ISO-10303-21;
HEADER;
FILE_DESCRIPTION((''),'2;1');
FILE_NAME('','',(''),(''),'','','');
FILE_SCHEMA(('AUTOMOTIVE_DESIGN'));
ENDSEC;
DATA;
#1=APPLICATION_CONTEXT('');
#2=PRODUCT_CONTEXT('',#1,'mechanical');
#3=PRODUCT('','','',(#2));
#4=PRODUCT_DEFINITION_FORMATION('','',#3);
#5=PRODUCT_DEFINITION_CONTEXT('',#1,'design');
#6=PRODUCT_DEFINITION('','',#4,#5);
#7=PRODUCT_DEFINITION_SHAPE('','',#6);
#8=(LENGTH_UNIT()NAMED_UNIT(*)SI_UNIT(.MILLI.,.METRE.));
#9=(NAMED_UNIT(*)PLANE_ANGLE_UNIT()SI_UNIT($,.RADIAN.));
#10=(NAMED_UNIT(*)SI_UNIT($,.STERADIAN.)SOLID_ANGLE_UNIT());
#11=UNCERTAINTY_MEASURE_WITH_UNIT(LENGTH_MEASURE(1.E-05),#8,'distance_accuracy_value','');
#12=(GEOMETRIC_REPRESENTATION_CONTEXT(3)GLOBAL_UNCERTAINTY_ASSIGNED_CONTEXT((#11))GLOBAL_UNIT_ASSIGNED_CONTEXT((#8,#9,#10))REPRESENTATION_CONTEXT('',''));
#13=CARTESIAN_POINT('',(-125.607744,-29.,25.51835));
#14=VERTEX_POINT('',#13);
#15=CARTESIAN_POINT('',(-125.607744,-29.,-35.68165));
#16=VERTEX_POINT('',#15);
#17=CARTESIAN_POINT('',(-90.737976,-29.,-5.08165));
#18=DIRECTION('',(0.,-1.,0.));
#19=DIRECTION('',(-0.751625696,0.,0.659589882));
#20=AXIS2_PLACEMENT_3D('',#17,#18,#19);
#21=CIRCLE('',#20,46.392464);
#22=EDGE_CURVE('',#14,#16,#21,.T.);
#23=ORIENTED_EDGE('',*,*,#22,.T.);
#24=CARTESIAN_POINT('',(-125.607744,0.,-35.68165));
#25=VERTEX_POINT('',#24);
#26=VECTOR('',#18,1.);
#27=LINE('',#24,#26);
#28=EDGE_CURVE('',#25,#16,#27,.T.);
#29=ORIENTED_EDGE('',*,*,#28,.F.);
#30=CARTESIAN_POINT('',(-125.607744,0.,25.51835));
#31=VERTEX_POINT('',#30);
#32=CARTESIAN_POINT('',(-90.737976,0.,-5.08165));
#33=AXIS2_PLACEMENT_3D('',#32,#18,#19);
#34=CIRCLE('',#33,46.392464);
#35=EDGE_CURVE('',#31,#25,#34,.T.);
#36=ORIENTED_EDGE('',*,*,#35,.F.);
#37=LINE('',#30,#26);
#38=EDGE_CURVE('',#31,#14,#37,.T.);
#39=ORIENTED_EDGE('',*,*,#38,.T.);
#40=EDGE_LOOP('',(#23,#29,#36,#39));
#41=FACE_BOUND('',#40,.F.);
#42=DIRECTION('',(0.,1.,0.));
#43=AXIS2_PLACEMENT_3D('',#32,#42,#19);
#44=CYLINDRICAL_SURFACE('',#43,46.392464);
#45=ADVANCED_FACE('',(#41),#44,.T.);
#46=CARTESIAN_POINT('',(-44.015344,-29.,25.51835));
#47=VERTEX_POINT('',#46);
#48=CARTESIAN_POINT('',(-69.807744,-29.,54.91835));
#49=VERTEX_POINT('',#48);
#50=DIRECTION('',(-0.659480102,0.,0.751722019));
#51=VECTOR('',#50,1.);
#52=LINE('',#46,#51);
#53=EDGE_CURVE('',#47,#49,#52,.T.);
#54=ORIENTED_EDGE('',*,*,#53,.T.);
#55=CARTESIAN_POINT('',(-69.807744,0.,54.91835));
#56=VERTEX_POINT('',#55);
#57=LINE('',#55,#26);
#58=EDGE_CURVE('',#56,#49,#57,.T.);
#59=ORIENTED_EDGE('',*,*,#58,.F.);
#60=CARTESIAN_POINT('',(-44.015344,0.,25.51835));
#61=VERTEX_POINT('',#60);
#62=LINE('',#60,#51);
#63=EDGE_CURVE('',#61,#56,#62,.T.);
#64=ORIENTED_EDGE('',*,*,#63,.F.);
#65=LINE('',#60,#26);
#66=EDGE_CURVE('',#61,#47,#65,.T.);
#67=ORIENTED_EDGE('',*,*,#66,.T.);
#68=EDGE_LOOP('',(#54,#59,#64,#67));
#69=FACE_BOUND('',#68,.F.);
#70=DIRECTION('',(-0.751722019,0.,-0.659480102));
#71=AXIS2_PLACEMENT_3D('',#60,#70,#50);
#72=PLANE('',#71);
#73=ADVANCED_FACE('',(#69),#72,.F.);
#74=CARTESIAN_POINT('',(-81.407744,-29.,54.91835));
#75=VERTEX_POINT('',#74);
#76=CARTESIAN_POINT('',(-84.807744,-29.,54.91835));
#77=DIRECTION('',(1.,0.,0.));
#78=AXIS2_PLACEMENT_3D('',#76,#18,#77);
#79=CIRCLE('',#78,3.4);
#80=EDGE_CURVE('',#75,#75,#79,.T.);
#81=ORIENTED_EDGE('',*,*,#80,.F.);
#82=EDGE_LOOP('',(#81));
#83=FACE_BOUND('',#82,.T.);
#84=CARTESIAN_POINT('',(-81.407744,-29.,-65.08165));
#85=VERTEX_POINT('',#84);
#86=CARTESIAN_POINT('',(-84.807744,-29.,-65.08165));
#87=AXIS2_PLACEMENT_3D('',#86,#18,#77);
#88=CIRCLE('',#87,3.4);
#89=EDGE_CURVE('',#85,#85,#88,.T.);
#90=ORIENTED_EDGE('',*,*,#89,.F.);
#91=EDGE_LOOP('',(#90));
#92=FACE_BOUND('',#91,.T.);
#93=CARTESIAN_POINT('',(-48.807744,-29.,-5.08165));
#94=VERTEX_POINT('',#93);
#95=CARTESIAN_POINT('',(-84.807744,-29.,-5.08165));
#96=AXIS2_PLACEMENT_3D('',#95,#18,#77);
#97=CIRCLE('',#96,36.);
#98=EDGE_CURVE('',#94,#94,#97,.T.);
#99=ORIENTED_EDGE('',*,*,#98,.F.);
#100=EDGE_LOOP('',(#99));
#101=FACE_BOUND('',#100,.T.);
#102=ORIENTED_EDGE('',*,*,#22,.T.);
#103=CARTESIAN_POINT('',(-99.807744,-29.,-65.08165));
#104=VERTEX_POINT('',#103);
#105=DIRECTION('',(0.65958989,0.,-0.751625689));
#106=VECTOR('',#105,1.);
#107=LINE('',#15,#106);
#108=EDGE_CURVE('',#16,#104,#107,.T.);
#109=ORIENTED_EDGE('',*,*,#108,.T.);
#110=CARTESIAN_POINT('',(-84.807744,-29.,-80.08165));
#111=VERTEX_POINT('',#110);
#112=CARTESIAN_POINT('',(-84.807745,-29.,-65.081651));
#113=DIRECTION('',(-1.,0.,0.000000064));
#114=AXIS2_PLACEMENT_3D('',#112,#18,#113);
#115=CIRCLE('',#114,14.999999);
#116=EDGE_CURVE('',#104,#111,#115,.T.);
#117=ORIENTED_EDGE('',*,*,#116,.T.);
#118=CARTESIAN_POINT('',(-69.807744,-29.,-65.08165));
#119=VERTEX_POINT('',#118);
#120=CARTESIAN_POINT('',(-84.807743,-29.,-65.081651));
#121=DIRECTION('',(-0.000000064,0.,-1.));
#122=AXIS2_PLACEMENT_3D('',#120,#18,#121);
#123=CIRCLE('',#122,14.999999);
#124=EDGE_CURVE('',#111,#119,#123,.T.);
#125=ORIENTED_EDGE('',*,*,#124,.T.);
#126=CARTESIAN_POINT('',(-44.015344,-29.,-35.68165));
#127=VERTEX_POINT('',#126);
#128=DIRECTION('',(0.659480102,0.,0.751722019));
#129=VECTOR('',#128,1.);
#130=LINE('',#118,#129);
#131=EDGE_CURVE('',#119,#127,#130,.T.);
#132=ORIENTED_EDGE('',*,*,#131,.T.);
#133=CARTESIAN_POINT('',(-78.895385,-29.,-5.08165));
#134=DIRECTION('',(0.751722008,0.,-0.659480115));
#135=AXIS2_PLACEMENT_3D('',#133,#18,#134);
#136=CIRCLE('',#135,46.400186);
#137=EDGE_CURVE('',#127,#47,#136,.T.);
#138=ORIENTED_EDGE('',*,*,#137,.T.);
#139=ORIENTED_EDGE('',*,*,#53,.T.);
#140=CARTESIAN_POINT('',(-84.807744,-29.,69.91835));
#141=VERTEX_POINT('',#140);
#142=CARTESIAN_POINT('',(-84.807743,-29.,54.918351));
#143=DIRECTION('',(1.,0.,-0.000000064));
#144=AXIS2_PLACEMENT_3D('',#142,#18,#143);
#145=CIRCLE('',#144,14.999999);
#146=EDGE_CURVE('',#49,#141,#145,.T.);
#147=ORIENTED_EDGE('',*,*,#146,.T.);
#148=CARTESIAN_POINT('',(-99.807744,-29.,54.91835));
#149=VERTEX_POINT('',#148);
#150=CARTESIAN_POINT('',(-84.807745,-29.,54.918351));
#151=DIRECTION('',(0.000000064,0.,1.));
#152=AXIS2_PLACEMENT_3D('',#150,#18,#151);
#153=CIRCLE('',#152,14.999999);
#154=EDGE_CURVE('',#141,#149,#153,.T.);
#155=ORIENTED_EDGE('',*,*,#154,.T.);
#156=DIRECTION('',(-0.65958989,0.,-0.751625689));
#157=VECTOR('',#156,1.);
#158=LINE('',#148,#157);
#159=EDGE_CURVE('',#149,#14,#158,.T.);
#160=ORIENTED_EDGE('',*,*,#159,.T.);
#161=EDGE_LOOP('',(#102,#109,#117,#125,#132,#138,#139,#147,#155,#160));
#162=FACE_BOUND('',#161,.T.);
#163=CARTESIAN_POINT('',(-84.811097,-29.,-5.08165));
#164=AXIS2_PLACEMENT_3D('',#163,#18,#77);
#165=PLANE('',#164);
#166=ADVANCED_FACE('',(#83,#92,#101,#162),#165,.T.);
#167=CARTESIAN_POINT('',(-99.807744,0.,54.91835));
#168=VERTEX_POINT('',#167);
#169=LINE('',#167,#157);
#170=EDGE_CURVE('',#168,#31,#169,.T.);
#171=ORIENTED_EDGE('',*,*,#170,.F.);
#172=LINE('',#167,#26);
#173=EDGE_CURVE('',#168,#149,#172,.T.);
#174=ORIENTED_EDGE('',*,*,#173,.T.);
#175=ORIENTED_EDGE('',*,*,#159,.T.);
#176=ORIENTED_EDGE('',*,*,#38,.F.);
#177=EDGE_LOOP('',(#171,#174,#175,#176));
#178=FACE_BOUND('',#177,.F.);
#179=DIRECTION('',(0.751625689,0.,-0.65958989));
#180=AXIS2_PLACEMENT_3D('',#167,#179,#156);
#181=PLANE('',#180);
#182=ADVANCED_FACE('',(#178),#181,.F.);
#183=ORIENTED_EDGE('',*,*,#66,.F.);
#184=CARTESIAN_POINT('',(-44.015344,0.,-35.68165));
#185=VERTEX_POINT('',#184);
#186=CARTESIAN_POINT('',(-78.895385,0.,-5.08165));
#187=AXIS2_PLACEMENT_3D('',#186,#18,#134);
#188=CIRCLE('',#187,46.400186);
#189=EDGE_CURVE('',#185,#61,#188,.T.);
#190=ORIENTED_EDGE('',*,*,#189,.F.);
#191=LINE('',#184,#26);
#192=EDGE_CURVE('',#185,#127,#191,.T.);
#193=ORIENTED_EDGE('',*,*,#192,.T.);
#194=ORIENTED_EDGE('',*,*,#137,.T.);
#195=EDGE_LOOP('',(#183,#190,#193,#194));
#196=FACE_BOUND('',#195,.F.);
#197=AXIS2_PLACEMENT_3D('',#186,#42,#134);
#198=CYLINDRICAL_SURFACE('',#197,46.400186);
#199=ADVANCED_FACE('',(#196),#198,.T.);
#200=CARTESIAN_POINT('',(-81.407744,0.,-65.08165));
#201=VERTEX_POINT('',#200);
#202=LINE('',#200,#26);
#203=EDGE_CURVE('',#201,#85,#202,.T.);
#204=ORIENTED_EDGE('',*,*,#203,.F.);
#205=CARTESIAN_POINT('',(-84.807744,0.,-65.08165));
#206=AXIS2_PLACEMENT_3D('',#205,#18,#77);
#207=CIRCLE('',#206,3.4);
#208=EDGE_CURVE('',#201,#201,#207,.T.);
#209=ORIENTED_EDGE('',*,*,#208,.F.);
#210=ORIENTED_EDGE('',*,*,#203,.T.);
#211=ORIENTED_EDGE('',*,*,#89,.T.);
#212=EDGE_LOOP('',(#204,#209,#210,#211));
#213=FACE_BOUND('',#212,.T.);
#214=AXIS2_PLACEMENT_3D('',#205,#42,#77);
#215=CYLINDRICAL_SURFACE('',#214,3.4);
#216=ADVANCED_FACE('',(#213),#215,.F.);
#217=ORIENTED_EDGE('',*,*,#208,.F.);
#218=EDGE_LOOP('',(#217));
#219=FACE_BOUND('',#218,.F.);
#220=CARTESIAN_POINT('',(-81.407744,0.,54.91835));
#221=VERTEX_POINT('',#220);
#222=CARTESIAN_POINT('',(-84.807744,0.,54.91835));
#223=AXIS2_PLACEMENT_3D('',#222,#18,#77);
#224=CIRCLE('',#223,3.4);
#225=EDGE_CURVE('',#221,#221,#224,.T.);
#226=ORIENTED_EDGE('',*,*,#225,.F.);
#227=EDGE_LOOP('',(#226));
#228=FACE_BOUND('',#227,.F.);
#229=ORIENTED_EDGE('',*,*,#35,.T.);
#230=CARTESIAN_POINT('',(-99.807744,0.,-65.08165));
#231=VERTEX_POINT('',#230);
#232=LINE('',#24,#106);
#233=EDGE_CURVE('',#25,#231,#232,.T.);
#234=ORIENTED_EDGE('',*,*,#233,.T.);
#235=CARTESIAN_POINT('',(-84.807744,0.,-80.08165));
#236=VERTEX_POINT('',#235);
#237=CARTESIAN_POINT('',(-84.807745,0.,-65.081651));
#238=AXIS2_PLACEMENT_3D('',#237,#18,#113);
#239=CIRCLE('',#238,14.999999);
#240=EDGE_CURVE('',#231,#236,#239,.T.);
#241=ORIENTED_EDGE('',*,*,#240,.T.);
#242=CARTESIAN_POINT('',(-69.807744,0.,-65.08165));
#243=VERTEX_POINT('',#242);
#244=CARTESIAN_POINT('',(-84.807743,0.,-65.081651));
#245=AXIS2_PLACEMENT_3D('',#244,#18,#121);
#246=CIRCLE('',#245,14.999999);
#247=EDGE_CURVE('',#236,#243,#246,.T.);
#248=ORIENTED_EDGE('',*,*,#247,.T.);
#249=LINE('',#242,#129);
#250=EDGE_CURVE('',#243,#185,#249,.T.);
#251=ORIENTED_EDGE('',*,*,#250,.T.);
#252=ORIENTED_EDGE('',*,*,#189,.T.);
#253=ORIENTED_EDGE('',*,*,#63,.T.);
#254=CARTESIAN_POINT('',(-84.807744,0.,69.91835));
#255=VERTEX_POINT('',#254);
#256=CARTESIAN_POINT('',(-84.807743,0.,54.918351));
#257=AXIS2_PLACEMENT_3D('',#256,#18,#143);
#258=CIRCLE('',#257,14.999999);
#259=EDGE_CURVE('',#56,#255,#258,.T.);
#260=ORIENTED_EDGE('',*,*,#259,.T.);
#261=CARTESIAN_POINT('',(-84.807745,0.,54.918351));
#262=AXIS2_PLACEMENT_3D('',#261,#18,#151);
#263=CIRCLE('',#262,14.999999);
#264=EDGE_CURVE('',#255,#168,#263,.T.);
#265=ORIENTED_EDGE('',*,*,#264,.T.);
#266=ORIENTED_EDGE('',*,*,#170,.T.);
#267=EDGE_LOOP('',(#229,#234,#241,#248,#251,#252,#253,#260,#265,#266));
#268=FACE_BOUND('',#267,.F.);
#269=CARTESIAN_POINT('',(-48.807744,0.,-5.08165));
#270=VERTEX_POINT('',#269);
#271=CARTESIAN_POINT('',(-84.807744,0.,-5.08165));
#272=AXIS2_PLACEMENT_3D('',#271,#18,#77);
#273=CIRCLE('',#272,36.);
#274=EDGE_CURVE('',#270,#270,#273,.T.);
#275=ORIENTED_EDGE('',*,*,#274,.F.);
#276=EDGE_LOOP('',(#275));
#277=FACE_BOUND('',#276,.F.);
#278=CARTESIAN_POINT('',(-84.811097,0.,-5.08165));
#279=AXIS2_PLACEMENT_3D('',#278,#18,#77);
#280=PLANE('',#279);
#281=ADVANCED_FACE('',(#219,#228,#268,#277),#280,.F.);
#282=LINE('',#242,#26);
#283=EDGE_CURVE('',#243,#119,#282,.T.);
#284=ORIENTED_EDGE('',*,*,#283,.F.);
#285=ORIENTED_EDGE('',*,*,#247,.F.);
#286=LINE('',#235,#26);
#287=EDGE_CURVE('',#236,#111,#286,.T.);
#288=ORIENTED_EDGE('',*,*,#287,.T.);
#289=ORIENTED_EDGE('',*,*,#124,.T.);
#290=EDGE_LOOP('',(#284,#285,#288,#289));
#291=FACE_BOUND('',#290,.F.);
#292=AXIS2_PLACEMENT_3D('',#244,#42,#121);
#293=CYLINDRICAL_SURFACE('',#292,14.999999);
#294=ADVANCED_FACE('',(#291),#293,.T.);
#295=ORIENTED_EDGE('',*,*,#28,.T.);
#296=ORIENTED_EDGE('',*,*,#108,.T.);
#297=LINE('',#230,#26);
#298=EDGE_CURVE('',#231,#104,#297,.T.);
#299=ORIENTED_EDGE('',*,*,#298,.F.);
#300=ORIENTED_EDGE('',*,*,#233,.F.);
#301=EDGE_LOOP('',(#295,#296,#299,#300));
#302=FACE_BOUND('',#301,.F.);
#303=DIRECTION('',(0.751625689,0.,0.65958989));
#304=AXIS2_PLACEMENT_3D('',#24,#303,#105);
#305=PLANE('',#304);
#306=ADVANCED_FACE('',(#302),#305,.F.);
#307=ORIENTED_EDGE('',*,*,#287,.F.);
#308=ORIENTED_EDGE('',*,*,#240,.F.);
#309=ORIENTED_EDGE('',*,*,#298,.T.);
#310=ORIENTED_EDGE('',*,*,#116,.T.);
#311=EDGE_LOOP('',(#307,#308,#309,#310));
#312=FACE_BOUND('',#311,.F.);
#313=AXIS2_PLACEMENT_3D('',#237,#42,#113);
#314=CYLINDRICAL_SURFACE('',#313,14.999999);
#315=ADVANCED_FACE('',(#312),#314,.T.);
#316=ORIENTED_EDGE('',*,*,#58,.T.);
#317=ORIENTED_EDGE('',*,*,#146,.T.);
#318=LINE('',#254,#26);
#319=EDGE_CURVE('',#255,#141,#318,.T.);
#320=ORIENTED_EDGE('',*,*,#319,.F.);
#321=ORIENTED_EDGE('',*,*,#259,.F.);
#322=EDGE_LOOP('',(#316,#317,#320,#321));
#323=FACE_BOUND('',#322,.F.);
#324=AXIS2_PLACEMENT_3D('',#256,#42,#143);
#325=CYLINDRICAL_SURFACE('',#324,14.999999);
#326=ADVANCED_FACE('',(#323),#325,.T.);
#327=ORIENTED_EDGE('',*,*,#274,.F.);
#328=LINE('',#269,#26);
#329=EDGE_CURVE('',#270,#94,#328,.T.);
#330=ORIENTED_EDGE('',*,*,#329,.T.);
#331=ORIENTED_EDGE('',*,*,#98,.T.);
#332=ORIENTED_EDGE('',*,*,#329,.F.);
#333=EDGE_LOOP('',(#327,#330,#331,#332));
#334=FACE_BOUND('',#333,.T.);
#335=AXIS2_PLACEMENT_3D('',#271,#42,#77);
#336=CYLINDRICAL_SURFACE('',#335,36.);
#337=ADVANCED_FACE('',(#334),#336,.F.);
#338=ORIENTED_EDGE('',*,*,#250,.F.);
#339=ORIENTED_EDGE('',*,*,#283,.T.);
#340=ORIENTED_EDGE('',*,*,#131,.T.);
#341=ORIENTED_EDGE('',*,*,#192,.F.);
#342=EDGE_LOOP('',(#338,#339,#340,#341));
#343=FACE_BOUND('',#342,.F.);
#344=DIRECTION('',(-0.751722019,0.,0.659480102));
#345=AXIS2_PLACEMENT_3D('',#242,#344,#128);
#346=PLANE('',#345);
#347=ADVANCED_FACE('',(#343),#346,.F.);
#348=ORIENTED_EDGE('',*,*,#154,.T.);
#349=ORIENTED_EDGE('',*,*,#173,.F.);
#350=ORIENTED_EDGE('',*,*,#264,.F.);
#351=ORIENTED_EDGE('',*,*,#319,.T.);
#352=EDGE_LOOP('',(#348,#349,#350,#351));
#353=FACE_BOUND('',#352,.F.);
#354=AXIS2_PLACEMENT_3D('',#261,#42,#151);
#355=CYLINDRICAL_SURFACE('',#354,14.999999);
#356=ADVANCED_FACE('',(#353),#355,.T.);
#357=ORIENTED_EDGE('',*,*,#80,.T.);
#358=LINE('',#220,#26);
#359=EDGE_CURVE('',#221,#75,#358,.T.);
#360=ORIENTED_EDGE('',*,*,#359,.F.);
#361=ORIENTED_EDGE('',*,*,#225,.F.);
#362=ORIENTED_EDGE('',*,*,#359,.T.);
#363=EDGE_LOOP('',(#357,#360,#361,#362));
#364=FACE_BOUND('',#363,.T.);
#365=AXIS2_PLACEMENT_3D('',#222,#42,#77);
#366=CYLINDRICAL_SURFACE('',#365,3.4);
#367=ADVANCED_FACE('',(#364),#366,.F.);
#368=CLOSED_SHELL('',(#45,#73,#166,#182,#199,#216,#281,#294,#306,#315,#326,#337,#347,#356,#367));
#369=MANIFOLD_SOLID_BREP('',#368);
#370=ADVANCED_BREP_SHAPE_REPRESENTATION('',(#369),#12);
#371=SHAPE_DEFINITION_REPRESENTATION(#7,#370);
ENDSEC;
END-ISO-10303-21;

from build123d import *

# Parameters (mm, degrees)
F0_R     = 3.4
F0_R_2   = 36
F1_DEPTH = 29


with BuildPart() as f1:
    # F0 (on Front) → F1 (new body)
    with BuildSketch(Plane.XZ):
        with BuildLine():
            ThreePointArc((-99.807744, -65.08165), (-95.414346, -75.688252), (-84.807744, -80.08165))
            ThreePointArc((-84.807744, -80.08165), (-74.201142, -75.688252), (-69.807744, -65.08165))
            Line((-69.807744, -65.08165), (-44.015344, -35.68165))
            ThreePointArc((-44.015344, -35.68165), (-32.495199, -5.08165), (-44.015344, 25.51835))
            Line((-44.015344, 25.51835), (-69.807744, 54.91835))
            ThreePointArc((-69.807744, 54.91835), (-74.201142, 65.524952), (-84.807744, 69.91835))
            ThreePointArc((-84.807744, 69.91835), (-95.414346, 65.524952), (-99.807744, 54.91835))
            Line((-99.807744, 54.91835), (-125.607744, 25.51835))
            ThreePointArc((-125.607744, 25.51835), (-137.13044, -5.08165), (-125.607744, -35.68165))
            Line((-125.607744, -35.68165), (-99.807744, -65.08165))
        make_face()
        with Locations((-84.807744, -65.08165)):
            Circle(F0_R, mode=Mode.SUBTRACT)
        with Locations((-84.807744, -5.08165)):
            Circle(F0_R_2, mode=Mode.SUBTRACT)
        with Locations((-84.807744, 54.91835)):
            Circle(F0_R, mode=Mode.SUBTRACT)
    extrude(amount=F1_DEPTH)


solid = f1.part
